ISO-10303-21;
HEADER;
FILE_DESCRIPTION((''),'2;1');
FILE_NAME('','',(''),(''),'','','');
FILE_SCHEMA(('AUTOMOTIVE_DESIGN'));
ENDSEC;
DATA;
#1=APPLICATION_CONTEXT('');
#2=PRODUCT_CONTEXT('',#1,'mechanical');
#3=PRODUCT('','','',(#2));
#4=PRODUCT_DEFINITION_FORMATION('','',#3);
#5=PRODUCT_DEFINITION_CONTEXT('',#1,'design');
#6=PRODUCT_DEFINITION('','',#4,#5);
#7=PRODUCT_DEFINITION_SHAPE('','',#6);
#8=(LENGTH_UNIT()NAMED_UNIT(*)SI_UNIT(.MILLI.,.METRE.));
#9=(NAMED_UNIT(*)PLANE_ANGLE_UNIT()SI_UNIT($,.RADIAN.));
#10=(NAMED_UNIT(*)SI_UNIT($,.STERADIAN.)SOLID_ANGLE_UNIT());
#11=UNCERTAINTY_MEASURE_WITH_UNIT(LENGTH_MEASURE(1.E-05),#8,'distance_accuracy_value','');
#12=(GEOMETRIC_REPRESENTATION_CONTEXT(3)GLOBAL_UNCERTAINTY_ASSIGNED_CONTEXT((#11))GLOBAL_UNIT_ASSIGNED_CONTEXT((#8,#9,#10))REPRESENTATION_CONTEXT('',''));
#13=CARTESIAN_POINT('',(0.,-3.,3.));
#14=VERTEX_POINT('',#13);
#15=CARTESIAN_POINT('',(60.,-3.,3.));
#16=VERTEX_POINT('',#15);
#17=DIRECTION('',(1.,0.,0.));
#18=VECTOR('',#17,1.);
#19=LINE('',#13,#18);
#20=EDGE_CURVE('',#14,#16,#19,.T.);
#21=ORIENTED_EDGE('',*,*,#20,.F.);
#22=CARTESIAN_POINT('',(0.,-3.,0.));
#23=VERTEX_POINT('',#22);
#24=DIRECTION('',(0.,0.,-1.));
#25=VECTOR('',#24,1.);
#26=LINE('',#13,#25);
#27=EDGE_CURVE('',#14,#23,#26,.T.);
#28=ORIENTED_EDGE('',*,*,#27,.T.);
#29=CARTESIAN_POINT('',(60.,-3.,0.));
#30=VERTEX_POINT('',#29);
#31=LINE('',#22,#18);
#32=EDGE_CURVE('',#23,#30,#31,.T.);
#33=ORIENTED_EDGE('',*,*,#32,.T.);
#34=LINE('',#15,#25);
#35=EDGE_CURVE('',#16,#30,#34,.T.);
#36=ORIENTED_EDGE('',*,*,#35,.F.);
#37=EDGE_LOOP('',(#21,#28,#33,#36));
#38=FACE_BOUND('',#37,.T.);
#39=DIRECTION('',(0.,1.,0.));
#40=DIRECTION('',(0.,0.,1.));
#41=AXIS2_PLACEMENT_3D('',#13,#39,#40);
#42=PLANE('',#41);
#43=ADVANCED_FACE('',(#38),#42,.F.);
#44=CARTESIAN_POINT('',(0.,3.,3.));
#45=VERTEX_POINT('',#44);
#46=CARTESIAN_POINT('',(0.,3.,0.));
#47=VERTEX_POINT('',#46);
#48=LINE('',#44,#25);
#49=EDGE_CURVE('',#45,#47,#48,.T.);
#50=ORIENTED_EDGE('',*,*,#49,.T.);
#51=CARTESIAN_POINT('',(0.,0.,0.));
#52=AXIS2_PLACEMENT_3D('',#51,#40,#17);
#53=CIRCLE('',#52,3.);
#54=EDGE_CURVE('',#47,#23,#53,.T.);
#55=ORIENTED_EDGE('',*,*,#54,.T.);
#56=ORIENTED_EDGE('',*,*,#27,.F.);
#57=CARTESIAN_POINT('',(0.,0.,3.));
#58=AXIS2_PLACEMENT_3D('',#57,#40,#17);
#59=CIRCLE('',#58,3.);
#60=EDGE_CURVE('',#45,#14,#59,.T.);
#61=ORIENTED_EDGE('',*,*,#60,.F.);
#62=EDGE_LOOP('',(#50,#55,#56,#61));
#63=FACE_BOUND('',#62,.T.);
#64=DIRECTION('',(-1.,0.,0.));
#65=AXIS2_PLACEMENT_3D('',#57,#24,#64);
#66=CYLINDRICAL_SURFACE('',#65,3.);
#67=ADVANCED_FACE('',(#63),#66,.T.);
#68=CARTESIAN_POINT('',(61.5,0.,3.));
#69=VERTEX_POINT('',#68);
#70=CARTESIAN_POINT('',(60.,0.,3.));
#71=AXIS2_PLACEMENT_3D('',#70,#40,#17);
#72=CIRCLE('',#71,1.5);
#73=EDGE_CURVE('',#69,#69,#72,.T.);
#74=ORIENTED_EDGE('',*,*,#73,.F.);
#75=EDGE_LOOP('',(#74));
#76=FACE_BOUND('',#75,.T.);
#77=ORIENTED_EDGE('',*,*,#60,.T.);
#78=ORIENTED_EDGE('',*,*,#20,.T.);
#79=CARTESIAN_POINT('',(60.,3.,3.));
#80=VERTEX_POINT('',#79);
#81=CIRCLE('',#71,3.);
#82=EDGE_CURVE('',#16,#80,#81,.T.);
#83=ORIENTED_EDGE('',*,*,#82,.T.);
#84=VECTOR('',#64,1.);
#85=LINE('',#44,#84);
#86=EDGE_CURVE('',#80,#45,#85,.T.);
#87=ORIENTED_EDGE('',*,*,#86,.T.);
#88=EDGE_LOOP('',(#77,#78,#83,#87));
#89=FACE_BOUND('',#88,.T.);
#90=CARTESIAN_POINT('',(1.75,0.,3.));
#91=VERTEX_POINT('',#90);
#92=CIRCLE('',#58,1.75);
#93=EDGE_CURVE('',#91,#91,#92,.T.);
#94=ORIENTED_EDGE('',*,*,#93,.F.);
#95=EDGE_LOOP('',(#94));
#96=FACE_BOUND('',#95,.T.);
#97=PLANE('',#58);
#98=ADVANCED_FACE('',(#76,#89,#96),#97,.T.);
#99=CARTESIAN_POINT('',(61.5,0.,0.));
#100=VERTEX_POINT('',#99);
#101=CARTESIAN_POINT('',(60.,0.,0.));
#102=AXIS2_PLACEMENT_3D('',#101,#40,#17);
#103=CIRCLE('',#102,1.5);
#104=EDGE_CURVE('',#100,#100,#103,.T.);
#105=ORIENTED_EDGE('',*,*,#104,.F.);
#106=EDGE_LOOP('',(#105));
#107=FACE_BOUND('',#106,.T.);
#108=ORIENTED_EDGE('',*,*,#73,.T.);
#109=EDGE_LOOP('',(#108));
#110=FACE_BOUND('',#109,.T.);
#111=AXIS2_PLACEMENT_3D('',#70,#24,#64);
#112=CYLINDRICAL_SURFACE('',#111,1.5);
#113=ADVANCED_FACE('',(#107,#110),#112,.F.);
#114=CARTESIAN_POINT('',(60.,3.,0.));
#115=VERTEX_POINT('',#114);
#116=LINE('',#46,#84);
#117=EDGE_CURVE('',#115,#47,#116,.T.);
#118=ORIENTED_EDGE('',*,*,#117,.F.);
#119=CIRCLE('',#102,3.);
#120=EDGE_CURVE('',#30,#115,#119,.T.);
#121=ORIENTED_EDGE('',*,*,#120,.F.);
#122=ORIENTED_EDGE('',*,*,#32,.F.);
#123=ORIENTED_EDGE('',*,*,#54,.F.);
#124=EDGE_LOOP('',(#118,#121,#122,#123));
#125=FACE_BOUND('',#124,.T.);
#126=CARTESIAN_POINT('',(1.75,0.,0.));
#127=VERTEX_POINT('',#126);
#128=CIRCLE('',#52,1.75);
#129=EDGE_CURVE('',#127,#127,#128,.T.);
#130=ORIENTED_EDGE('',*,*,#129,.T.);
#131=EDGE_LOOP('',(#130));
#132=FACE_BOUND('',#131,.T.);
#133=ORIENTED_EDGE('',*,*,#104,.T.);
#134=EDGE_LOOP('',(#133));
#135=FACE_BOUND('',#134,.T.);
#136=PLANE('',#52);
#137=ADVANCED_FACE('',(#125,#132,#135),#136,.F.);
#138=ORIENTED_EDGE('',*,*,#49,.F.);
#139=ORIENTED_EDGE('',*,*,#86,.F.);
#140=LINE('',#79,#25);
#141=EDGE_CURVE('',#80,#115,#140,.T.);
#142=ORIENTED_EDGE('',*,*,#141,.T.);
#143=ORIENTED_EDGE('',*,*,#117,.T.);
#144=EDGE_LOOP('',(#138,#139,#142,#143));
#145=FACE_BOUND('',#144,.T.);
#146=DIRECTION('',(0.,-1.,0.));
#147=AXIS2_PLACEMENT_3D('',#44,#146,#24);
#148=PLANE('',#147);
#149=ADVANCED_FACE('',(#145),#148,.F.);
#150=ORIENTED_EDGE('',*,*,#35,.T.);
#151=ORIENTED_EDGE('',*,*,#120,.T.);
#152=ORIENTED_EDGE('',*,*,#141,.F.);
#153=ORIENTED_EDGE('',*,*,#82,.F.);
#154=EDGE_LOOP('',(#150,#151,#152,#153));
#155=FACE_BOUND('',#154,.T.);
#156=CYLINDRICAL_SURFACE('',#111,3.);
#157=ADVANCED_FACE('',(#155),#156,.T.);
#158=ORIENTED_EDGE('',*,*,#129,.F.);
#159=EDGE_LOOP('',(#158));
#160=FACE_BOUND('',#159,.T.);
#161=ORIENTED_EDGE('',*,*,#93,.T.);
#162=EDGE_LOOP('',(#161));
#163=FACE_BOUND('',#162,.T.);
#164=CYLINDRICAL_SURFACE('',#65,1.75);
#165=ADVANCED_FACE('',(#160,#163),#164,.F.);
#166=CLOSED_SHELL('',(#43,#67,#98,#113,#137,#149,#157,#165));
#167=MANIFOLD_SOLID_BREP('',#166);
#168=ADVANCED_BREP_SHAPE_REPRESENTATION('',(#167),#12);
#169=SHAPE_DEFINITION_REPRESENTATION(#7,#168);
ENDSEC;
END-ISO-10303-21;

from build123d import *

# Parameters (mm, degrees)
SKETCH1_R           = 1.75
SKETCH1_R_2         = 1.5
BOSS_EXTRUDE1_DEPTH = 3


with BuildPart() as part:
    # Sketch1 → Boss-Extrude1 (new body)
    with BuildSketch(Plane.XY):
        with BuildLine():
            Line((0, 3), (60, 3))
            ThreePointArc((60, 3), (63, 0), (60, -3))
            Line((60, -3), (0, -3))
            ThreePointArc((0, -3), (-3, 0), (0, 3))
        make_face()
        Circle(SKETCH1_R, mode=Mode.SUBTRACT)
        with Locations((60, 0)):
            Circle(SKETCH1_R_2, mode=Mode.SUBTRACT)
    extrude(amount=BOSS_EXTRUDE1_DEPTH)


solid = part.part
